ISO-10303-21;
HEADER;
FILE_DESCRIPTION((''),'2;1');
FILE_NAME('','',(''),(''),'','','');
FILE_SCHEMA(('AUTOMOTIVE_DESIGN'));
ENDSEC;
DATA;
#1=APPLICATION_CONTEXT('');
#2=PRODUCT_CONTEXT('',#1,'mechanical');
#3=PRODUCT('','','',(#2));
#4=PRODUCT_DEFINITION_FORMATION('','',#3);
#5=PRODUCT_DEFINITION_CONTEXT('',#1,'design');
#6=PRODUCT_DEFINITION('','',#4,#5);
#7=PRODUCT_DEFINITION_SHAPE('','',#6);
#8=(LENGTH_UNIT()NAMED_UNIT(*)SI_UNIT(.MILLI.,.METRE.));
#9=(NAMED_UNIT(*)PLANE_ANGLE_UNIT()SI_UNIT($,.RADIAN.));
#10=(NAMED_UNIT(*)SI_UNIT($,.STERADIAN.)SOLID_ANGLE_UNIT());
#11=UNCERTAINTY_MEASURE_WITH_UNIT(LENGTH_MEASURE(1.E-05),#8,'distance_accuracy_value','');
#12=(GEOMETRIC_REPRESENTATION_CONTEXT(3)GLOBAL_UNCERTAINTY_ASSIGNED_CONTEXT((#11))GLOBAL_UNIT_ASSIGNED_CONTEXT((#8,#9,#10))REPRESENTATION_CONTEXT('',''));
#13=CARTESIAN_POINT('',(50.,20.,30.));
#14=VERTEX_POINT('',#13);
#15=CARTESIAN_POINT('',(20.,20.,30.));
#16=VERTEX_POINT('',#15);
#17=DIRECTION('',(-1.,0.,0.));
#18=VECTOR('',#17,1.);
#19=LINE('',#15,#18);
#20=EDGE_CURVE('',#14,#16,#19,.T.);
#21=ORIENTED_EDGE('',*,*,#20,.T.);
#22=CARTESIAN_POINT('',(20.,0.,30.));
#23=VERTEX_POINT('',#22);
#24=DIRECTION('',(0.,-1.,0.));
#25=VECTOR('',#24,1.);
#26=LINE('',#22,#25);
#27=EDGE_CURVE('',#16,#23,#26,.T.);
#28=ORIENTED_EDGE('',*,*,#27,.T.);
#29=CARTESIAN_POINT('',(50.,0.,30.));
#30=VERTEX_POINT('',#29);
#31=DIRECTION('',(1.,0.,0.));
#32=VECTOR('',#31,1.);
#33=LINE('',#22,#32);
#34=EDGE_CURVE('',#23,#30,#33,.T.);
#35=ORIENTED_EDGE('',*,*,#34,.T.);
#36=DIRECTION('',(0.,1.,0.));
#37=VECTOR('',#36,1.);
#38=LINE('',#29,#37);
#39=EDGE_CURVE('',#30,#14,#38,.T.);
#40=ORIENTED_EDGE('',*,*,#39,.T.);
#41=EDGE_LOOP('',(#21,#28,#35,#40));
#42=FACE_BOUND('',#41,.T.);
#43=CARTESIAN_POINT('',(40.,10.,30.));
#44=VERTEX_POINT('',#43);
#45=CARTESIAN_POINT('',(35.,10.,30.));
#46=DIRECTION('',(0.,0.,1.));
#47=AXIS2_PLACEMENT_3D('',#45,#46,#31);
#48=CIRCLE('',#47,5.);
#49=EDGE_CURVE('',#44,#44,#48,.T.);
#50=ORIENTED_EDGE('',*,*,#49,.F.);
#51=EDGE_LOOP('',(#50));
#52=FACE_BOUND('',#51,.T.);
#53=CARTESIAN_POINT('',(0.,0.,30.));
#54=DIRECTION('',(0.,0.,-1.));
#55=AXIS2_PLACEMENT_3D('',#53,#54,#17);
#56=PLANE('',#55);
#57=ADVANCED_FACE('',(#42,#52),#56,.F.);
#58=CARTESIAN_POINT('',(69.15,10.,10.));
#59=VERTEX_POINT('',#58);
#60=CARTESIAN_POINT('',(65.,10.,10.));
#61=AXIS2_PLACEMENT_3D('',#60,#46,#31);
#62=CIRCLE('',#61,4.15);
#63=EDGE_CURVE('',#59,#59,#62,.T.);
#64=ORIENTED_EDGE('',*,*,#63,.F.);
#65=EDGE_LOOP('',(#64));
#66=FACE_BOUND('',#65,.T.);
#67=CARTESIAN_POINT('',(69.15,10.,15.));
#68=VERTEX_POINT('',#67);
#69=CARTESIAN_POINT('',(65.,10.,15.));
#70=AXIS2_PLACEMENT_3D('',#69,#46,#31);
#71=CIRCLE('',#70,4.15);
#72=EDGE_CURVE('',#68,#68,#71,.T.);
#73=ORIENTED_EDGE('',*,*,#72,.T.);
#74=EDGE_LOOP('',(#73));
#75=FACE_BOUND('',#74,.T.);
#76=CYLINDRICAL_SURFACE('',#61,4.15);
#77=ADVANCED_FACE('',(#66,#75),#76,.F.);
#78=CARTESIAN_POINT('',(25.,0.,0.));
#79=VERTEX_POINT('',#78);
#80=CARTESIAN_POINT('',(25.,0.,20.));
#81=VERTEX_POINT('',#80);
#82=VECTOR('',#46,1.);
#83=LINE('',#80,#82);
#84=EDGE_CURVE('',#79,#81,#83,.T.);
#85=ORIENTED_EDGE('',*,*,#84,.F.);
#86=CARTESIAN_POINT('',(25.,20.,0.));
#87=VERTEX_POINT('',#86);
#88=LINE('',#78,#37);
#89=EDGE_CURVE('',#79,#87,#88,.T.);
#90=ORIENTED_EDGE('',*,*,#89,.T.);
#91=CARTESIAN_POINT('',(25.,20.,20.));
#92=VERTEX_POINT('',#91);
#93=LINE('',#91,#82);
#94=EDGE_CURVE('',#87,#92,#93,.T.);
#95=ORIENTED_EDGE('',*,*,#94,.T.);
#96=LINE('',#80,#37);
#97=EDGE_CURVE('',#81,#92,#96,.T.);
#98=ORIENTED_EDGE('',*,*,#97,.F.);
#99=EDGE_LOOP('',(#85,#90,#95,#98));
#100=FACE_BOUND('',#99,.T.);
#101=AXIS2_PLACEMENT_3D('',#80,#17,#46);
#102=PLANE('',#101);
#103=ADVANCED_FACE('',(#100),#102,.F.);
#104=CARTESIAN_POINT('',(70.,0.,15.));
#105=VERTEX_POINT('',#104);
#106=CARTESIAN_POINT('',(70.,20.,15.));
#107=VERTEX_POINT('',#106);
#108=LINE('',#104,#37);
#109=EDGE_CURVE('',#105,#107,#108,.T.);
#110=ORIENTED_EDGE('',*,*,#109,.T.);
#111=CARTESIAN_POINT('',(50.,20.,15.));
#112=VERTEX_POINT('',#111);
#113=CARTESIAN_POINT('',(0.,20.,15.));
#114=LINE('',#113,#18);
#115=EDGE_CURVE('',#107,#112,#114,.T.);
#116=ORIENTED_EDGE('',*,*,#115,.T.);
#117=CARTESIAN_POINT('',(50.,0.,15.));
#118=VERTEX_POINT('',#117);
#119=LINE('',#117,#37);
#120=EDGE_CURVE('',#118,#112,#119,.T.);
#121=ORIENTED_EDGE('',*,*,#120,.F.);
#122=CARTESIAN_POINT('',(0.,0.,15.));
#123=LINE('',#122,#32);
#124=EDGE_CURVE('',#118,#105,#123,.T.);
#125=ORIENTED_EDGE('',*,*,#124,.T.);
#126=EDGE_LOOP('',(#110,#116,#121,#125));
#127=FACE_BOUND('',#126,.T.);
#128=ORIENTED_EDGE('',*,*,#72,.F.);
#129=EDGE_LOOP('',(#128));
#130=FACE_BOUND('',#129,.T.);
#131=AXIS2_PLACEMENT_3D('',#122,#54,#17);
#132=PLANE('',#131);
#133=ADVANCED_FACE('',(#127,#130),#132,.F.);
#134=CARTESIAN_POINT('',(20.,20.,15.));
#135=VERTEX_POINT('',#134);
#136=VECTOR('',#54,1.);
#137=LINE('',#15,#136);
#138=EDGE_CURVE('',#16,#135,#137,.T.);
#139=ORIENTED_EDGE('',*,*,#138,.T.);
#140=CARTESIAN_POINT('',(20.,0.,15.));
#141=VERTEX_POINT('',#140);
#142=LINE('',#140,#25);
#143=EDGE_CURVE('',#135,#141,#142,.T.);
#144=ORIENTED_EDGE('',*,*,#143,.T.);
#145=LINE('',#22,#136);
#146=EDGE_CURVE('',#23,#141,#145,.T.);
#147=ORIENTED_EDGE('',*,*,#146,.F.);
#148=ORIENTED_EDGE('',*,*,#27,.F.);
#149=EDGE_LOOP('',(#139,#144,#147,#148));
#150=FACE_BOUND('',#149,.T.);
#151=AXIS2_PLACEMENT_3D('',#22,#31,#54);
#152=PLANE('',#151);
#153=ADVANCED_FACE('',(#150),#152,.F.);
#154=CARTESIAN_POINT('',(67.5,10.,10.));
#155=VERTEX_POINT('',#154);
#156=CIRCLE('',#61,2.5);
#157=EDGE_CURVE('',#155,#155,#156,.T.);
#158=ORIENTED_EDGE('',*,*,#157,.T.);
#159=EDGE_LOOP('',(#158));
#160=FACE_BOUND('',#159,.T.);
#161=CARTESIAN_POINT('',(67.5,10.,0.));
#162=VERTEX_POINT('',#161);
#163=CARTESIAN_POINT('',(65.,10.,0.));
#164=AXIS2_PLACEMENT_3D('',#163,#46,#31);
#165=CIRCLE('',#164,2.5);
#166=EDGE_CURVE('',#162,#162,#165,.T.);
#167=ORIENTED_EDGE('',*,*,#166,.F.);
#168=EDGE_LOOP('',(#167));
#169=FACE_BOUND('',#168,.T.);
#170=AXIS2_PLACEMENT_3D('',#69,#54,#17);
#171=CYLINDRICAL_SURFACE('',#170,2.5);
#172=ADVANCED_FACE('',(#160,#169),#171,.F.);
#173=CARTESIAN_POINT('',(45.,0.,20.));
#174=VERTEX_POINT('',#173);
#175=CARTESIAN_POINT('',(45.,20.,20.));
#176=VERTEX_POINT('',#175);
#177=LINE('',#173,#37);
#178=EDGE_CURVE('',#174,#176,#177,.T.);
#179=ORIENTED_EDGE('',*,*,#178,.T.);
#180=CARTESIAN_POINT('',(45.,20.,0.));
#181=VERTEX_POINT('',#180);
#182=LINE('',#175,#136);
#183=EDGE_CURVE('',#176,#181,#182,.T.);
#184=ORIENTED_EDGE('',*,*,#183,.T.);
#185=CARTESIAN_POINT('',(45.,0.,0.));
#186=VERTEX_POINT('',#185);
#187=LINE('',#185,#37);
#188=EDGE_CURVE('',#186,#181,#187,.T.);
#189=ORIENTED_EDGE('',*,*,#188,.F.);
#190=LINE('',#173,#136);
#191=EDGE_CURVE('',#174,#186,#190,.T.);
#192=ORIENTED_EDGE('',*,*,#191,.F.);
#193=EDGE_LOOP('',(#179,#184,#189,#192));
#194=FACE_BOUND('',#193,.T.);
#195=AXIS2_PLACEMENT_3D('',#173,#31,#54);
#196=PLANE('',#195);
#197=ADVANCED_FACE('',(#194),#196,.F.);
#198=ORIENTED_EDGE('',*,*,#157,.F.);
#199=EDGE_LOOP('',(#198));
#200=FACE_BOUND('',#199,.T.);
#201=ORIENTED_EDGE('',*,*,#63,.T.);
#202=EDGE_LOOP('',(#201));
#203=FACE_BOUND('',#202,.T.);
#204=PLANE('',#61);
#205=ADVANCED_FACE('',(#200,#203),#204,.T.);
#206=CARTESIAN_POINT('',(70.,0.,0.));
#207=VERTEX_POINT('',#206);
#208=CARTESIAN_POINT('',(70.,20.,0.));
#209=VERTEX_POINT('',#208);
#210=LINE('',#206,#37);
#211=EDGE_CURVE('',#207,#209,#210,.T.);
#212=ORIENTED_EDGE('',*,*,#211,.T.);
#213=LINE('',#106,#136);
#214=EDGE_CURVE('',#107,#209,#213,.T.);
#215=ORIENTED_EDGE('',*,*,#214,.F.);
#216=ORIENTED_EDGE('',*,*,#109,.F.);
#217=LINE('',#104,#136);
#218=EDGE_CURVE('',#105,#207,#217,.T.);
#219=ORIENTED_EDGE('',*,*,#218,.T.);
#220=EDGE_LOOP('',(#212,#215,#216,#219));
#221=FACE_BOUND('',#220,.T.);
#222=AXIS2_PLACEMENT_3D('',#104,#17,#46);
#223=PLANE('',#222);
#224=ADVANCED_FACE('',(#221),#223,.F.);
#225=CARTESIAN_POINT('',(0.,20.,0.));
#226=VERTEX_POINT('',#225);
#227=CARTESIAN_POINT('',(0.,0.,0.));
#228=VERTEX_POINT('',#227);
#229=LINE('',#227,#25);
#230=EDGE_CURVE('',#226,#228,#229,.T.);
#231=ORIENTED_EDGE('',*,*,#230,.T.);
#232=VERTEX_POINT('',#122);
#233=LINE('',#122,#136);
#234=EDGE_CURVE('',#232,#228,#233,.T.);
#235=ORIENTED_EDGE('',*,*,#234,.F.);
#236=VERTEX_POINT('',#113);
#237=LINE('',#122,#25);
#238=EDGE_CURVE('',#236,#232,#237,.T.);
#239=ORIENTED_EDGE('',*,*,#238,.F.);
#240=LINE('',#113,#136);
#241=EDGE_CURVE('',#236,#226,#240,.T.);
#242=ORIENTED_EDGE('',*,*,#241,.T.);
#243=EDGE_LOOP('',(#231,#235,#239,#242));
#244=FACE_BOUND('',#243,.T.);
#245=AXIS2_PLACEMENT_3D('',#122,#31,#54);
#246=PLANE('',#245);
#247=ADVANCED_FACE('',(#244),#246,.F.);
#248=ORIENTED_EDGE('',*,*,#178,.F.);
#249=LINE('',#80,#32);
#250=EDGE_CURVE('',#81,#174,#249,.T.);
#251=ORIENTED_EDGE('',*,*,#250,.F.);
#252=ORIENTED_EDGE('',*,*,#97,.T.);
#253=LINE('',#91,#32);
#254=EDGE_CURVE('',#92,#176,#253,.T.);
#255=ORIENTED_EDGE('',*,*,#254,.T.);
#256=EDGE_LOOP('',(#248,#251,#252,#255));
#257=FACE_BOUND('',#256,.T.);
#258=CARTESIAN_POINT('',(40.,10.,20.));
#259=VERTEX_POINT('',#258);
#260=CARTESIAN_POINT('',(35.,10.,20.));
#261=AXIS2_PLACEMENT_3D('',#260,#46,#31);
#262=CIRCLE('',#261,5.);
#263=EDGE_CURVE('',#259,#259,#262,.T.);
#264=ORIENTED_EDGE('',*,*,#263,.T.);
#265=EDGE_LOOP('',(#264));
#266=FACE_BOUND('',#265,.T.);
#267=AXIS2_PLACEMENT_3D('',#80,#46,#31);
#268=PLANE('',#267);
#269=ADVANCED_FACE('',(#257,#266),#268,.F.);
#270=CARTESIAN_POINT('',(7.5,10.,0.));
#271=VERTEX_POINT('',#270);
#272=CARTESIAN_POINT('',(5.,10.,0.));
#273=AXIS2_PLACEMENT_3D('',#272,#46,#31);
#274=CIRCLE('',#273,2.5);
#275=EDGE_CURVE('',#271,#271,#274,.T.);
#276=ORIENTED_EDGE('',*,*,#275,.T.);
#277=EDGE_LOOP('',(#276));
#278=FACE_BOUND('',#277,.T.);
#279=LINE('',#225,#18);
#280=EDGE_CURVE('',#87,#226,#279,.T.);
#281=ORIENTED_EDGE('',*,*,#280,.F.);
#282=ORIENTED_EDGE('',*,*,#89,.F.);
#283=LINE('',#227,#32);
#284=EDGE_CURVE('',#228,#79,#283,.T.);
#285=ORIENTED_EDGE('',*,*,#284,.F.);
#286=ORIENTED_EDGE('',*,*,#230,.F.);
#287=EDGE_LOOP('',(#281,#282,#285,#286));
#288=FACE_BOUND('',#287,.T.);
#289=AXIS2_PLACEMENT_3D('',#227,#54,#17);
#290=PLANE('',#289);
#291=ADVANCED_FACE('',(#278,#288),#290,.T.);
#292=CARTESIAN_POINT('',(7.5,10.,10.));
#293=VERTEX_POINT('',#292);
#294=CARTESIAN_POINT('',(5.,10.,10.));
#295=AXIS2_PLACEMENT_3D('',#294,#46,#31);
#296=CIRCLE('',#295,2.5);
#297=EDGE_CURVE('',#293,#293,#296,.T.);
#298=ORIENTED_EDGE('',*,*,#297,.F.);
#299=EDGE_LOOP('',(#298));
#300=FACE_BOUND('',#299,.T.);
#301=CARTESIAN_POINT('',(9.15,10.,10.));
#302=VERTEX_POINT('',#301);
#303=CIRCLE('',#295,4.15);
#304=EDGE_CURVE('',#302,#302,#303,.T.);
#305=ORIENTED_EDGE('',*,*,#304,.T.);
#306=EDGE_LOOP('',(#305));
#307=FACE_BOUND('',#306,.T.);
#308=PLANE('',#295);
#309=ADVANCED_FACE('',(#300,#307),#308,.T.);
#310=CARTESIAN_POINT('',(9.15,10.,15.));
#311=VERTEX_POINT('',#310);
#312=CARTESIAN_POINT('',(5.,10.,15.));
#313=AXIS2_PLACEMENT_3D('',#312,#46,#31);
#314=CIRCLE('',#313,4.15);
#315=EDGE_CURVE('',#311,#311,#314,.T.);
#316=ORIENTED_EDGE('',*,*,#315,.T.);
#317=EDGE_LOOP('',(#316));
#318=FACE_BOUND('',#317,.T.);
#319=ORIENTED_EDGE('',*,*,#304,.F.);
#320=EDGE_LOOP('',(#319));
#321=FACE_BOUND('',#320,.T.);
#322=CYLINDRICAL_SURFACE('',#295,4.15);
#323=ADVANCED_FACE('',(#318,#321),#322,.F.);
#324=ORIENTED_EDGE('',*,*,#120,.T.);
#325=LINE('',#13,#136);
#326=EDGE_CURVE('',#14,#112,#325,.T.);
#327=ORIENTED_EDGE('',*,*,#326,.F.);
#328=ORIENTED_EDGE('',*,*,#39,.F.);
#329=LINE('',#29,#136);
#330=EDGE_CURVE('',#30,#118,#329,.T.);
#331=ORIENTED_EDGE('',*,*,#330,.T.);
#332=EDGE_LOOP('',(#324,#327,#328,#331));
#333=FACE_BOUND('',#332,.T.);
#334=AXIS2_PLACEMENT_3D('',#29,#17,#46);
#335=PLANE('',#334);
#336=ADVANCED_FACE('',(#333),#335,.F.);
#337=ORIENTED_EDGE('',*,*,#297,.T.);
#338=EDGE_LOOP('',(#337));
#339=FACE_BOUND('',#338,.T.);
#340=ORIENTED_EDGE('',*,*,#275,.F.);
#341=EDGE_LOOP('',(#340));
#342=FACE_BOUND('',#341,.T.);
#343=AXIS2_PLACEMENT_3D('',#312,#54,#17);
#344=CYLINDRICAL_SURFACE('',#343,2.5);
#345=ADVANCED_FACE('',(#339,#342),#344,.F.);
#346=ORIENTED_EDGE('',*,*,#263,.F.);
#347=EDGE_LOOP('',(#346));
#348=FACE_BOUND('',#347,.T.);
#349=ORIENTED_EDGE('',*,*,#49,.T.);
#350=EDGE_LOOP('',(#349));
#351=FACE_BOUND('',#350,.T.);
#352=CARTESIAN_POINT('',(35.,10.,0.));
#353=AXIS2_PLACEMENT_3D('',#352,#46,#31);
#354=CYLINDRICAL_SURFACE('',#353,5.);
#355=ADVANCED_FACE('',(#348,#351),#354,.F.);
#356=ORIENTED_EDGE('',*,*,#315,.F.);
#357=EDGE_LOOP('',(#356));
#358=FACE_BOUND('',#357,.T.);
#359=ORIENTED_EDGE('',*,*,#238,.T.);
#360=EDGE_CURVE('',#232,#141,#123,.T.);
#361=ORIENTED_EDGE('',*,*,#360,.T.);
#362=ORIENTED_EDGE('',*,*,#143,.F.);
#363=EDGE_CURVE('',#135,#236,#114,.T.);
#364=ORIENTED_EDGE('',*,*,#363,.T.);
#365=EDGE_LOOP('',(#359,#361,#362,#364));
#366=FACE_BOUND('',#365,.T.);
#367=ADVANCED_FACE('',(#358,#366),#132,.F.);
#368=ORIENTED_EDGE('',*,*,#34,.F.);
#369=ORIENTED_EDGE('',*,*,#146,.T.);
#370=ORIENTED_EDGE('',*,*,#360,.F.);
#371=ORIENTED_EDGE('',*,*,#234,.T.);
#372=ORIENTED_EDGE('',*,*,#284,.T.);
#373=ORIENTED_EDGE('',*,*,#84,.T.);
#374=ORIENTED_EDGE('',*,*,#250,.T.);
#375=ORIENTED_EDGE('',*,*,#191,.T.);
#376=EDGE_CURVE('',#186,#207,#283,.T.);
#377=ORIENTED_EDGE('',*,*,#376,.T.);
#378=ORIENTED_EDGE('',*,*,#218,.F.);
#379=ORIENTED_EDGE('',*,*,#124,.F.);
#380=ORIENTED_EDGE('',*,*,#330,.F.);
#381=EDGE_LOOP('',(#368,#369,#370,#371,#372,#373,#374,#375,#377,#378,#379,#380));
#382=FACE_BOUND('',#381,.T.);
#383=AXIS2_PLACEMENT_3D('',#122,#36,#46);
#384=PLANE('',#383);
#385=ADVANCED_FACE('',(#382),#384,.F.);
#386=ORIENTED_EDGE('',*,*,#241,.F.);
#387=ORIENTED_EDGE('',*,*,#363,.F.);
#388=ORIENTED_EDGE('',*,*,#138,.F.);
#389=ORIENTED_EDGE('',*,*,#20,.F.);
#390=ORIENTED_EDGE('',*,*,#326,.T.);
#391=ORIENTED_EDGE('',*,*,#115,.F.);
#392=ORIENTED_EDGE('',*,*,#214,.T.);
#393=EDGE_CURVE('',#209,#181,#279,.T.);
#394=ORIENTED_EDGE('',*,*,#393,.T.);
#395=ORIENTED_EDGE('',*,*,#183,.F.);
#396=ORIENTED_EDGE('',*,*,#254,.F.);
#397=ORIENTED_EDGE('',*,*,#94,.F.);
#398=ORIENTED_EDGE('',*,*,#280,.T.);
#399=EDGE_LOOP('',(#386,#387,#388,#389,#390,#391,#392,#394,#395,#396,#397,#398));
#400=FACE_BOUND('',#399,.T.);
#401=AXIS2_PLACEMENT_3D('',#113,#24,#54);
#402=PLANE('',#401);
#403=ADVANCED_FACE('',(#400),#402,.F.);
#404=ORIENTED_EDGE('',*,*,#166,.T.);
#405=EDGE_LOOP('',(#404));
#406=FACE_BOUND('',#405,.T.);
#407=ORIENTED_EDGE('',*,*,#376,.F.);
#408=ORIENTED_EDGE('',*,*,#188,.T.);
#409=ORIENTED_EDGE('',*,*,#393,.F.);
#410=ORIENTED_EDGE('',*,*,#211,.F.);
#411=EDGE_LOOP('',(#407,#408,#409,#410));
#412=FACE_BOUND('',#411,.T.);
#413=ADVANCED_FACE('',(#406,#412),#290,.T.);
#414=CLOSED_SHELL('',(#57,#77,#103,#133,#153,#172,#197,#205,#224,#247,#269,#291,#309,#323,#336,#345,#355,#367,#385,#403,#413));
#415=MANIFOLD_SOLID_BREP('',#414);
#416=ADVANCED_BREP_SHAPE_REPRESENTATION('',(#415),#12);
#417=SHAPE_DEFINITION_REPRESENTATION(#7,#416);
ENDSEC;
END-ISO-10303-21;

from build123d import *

# Parameters (mm, degrees)
SKETCH1_W           = 70
SKETCH1_H           = 20
SKETCH1_R           = 2.5
BOSS_EXTRUDE1_DEPTH = 15
SKETCH2_W           = 30
SKETCH2_H           = 20
BOSS_EXTRUDE2_DEPTH = 15
SKETCH4_W           = 20
SKETCH4_H           = 20
CUT_EXTRUDE1_DEPTH  = 79.74007874
SKETCH5_R           = 5
CUT_EXTRUDE2_DEPTH  = 79.74007874
SKETCH6_R           = 4.15
CUT_EXTRUDE3_DEPTH  = 5
SKETCH7_R           = 4.15
CUT_EXTRUDE4_DEPTH  = 5


with BuildPart() as part:
    # Sketch1 → Boss-Extrude1 (new body)
    with BuildSketch(Plane.XY):
        with Locations((35, 10)):
            Rectangle(SKETCH1_W, SKETCH1_H)
        with Locations((65, 10)):
            Circle(SKETCH1_R, mode=Mode.SUBTRACT)
        with Locations((5, 10)):
            Circle(SKETCH1_R, mode=Mode.SUBTRACT)
    extrude(amount=BOSS_EXTRUDE1_DEPTH)

    # Sketch2 → Boss-Extrude2 (add)
    with BuildSketch(Plane.XY.offset(15)):
        with Locations((35, 10)):
            Rectangle(SKETCH2_W, SKETCH2_H)
    extrude(amount=BOSS_EXTRUDE2_DEPTH)

    # Sketch4 → Cut-Extrude1 (cut, through all)
    with BuildSketch(Plane(origin=(0, 20, 0), x_dir=(1, 0, 0), z_dir=(0, 1, 0))):
        with Locations((35, -10)):
            Rectangle(SKETCH4_W, SKETCH4_H)
    extrude(amount=-CUT_EXTRUDE1_DEPTH, mode=Mode.SUBTRACT)

    # Sketch5 → Cut-Extrude2 (cut, through all)
    with BuildSketch(Plane.XY.offset(30)):
        with Locations((35, 10)):
            Circle(SKETCH5_R)
    extrude(amount=-CUT_EXTRUDE2_DEPTH, mode=Mode.SUBTRACT)

    # Sketch6 → Cut-Extrude3 (cut)
    with BuildSketch(Plane.XY.offset(15)):
        with Locations((5, 10)):
            Circle(SKETCH6_R)
    extrude(amount=-CUT_EXTRUDE3_DEPTH, mode=Mode.SUBTRACT)

    # Sketch7 → Cut-Extrude4 (cut)
    with BuildSketch(Plane.XY.offset(15)):
        with Locations((65, 10)):
            Circle(SKETCH7_R)
    extrude(amount=-CUT_EXTRUDE4_DEPTH, mode=Mode.SUBTRACT)


solid = part.part
